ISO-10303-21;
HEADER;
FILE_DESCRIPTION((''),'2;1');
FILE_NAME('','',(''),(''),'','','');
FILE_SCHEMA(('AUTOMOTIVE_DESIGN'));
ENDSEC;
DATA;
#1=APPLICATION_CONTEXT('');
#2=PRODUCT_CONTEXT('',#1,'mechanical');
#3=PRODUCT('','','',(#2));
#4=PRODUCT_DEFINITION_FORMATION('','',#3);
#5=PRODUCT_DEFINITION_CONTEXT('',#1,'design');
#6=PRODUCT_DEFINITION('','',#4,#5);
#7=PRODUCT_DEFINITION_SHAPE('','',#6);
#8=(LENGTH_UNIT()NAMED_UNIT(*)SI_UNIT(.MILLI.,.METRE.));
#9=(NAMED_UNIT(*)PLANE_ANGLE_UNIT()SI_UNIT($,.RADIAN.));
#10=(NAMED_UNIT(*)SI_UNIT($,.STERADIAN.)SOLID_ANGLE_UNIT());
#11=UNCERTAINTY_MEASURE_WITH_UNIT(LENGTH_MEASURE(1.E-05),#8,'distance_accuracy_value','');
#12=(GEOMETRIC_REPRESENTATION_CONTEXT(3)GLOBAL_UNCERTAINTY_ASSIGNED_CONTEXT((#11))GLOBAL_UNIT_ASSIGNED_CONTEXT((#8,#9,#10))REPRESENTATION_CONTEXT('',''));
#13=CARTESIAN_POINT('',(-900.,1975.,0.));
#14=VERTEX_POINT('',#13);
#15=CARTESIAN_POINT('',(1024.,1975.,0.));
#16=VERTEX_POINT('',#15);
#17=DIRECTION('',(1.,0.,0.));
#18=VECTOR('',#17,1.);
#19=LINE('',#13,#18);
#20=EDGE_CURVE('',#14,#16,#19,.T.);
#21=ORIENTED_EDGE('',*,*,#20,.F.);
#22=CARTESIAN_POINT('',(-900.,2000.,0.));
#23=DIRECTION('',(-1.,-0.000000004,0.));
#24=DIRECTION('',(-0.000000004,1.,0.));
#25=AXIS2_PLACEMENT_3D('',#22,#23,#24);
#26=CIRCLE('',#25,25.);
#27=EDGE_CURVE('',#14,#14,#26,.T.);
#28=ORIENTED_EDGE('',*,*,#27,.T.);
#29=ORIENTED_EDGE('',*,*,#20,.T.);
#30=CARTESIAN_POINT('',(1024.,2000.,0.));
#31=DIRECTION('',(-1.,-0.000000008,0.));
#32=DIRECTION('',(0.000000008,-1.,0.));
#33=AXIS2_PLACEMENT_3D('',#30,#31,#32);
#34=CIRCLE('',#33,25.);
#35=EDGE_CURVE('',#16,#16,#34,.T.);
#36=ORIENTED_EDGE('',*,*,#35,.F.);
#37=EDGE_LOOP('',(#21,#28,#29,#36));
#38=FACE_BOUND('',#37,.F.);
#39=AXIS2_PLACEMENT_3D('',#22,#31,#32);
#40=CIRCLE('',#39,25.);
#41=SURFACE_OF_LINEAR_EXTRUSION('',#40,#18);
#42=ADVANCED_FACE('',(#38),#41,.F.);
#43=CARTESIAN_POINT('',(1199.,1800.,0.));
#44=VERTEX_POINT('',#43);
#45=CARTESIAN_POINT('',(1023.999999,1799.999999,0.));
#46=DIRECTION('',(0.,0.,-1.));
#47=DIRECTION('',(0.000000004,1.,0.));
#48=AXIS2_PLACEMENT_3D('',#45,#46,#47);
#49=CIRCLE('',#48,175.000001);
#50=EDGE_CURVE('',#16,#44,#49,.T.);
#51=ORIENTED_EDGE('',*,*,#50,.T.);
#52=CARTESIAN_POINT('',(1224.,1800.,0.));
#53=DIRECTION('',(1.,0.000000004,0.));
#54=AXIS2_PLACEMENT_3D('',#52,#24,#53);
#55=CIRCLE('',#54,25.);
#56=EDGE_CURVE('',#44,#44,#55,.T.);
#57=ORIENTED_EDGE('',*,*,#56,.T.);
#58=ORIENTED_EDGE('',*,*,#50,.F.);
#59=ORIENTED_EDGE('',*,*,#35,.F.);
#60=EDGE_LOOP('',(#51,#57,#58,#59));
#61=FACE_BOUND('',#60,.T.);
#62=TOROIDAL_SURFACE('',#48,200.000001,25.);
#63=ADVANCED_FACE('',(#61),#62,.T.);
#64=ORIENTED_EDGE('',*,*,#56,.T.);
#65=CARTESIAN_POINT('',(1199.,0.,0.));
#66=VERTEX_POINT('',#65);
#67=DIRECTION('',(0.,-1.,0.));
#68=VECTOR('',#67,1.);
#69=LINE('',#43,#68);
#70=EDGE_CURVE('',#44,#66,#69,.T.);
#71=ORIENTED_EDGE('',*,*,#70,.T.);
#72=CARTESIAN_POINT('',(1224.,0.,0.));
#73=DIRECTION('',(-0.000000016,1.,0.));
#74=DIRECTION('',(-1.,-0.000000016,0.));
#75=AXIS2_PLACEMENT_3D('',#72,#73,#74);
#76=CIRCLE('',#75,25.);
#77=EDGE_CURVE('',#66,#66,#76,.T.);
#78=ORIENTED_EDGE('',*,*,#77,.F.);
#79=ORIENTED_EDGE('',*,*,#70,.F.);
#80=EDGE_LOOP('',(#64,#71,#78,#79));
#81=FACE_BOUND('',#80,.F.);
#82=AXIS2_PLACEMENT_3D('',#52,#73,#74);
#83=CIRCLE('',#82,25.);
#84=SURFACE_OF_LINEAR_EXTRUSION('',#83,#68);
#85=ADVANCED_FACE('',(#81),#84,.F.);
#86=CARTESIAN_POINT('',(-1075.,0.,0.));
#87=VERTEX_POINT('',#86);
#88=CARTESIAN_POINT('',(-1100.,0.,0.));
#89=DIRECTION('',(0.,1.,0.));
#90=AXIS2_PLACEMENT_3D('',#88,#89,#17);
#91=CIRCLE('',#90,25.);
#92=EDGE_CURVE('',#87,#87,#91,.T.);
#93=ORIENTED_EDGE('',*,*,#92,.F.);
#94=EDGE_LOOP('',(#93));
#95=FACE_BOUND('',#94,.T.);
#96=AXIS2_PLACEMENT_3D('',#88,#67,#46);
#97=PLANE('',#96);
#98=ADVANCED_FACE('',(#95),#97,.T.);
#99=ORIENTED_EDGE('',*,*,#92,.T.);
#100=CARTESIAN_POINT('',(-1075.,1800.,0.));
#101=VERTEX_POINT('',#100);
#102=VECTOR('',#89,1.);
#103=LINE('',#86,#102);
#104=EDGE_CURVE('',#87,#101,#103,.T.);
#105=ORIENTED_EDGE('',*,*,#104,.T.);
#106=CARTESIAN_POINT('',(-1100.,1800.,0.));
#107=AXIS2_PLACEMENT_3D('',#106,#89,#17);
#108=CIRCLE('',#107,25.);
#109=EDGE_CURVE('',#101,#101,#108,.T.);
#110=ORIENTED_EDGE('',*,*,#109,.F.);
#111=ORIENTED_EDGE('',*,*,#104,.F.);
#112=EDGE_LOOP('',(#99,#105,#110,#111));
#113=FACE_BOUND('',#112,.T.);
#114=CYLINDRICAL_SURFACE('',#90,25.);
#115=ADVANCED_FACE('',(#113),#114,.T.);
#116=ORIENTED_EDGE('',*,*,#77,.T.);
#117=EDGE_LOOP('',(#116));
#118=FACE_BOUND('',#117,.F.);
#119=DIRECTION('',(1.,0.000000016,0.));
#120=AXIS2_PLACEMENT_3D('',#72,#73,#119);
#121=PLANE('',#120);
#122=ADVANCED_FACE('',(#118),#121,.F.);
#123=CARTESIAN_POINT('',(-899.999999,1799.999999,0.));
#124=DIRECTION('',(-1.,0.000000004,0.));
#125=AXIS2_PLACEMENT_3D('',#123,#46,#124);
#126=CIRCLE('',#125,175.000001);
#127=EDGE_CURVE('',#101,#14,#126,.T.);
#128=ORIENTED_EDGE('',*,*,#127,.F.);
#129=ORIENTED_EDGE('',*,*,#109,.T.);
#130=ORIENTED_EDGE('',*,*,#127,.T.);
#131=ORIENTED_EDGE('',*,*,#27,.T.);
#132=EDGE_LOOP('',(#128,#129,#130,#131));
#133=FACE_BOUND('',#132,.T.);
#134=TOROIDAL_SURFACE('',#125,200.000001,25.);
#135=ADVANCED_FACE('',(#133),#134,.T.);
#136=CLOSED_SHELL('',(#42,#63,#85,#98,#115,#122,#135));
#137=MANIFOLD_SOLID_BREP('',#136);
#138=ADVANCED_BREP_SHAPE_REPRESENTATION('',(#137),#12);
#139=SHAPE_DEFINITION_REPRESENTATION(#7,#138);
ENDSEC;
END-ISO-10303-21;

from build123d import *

# Parameters (mm, degrees)
F1_R = 25


with BuildPart() as f2:
    # F2: sweep along a path in F0
    with BuildLine(Plane.XY) as f2_path:
        Line((-1100, 0), (-1100, 1800))
        ThreePointArc((-1100, 1800), (-1041.421356, 1941.421356), (-900, 2000))
        Line((-900, 2000), (1024, 2000))
        ThreePointArc((1024, 2000), (1165.421356, 1941.421356), (1224, 1800))
        Line((1224, 1800), (1224, 0))
    # F1 (on Front) → F2 (sweep)
    with BuildSketch(Plane.XZ):
        with Locations((-1100, 0)):
            Circle(F1_R)
    sweep(path=f2_path.line)


solid = f2.part
